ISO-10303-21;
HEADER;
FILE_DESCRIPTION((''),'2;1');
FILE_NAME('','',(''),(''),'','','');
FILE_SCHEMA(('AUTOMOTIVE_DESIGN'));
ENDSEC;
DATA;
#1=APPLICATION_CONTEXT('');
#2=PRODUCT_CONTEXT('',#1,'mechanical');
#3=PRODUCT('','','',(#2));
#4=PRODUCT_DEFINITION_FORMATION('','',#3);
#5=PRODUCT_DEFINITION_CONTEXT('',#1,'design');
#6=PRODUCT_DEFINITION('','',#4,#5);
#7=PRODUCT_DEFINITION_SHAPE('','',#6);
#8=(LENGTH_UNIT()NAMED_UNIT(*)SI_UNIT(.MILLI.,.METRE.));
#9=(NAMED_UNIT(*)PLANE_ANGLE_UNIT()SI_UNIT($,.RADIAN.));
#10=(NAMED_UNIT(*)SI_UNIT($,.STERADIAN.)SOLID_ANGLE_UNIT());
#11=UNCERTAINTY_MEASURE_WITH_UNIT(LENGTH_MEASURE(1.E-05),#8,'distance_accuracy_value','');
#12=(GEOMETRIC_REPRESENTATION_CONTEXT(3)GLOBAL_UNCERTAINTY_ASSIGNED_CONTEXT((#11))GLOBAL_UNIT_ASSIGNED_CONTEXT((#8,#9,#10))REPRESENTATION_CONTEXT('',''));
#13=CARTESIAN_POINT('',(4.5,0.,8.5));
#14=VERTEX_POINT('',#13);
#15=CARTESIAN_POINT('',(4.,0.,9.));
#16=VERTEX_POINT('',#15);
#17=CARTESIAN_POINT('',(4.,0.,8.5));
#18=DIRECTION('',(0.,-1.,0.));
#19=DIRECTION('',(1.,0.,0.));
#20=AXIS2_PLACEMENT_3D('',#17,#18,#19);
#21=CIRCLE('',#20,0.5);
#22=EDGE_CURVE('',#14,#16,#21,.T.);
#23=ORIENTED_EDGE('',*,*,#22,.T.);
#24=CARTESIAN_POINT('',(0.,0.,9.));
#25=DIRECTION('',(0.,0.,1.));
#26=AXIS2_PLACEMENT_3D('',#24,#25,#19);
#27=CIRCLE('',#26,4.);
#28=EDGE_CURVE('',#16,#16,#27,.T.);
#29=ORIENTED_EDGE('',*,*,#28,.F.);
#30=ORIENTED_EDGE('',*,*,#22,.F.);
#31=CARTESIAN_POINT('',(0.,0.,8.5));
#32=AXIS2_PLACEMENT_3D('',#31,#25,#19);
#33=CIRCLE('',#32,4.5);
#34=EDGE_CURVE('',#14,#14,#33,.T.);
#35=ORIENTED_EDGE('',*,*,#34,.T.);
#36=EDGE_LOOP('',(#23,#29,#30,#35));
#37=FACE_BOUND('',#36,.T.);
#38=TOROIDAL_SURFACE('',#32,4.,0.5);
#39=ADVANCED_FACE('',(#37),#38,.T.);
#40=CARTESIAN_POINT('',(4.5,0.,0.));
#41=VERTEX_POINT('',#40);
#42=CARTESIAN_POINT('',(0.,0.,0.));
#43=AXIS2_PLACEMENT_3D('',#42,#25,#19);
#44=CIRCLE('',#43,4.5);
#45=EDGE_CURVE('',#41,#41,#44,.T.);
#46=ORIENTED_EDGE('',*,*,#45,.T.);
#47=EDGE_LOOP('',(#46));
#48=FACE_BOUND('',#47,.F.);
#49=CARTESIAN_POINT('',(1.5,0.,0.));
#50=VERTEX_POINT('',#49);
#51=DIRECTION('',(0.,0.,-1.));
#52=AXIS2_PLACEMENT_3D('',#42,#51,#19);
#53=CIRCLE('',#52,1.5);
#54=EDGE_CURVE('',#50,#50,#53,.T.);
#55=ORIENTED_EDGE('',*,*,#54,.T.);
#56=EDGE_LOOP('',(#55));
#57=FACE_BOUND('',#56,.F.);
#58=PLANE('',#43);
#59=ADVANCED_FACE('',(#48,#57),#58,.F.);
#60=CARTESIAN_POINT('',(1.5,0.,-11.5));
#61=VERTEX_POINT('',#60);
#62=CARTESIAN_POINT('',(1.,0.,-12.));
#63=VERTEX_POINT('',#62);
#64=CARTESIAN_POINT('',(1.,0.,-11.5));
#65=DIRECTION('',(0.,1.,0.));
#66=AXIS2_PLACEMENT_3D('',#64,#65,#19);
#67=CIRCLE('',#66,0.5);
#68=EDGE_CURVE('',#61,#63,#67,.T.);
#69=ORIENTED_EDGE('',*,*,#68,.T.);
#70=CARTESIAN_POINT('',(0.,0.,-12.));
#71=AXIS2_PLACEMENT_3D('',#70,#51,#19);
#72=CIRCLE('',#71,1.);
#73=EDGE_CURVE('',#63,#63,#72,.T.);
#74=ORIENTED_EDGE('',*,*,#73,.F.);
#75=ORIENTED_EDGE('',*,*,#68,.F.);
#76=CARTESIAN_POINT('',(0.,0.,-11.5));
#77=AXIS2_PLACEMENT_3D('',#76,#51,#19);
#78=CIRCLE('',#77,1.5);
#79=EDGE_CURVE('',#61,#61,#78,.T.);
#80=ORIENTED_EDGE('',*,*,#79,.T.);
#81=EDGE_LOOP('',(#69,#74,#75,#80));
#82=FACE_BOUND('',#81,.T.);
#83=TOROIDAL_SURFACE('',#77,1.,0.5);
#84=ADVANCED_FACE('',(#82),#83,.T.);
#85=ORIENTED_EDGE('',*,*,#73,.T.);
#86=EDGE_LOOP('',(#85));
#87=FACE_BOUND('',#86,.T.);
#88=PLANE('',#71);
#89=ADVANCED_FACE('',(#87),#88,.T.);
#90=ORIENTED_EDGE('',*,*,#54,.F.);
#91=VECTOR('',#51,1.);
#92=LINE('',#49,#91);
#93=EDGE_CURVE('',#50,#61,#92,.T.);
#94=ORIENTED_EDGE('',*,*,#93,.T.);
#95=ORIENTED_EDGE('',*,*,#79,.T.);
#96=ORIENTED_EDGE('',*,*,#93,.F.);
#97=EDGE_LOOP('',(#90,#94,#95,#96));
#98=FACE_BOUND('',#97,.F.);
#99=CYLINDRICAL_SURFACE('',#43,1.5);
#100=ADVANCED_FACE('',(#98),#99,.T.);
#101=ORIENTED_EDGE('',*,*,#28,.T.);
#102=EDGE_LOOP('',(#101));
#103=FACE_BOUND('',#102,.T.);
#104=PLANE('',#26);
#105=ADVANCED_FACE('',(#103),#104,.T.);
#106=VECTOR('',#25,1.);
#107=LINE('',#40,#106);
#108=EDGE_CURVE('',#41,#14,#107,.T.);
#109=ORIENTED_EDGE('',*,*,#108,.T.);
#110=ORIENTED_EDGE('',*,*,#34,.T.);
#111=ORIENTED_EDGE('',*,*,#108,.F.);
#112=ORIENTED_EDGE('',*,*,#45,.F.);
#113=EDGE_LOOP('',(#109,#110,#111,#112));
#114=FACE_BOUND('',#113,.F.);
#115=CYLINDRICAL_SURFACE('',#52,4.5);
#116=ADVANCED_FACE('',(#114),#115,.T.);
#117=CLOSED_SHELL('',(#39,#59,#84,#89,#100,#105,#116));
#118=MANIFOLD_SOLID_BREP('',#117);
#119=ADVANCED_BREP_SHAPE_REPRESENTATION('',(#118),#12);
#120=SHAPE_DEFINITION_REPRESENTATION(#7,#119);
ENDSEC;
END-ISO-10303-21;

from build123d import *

# Parameters (mm, degrees)
F1_R     = 4.5
F2_DEPTH = 9
F3_R     = 1.5
F4_DEPTH = 12
F0_R     = 0.5


with BuildPart() as f2:
    # F1 (on Top) → F2 (new body)
    with BuildSketch(Plane.XY):
        Circle(F1_R)
    extrude(amount=F2_DEPTH)

    # F3 (on face) → F4 (join)
    with BuildSketch(Plane(origin=(0, 0, 0), x_dir=(1, 0, 0), z_dir=(0, 0, -1))):
        Circle(F3_R)
    extrude(amount=F4_DEPTH)

    # F0
    f0_edges = [f2.edges().sort_by_distance(p)[0] for p in [
        (-4.5, 0, 9),
        (-1.5, 0, -12),
    ]]
    fillet(f0_edges, radius=F0_R)


solid = f2.part
